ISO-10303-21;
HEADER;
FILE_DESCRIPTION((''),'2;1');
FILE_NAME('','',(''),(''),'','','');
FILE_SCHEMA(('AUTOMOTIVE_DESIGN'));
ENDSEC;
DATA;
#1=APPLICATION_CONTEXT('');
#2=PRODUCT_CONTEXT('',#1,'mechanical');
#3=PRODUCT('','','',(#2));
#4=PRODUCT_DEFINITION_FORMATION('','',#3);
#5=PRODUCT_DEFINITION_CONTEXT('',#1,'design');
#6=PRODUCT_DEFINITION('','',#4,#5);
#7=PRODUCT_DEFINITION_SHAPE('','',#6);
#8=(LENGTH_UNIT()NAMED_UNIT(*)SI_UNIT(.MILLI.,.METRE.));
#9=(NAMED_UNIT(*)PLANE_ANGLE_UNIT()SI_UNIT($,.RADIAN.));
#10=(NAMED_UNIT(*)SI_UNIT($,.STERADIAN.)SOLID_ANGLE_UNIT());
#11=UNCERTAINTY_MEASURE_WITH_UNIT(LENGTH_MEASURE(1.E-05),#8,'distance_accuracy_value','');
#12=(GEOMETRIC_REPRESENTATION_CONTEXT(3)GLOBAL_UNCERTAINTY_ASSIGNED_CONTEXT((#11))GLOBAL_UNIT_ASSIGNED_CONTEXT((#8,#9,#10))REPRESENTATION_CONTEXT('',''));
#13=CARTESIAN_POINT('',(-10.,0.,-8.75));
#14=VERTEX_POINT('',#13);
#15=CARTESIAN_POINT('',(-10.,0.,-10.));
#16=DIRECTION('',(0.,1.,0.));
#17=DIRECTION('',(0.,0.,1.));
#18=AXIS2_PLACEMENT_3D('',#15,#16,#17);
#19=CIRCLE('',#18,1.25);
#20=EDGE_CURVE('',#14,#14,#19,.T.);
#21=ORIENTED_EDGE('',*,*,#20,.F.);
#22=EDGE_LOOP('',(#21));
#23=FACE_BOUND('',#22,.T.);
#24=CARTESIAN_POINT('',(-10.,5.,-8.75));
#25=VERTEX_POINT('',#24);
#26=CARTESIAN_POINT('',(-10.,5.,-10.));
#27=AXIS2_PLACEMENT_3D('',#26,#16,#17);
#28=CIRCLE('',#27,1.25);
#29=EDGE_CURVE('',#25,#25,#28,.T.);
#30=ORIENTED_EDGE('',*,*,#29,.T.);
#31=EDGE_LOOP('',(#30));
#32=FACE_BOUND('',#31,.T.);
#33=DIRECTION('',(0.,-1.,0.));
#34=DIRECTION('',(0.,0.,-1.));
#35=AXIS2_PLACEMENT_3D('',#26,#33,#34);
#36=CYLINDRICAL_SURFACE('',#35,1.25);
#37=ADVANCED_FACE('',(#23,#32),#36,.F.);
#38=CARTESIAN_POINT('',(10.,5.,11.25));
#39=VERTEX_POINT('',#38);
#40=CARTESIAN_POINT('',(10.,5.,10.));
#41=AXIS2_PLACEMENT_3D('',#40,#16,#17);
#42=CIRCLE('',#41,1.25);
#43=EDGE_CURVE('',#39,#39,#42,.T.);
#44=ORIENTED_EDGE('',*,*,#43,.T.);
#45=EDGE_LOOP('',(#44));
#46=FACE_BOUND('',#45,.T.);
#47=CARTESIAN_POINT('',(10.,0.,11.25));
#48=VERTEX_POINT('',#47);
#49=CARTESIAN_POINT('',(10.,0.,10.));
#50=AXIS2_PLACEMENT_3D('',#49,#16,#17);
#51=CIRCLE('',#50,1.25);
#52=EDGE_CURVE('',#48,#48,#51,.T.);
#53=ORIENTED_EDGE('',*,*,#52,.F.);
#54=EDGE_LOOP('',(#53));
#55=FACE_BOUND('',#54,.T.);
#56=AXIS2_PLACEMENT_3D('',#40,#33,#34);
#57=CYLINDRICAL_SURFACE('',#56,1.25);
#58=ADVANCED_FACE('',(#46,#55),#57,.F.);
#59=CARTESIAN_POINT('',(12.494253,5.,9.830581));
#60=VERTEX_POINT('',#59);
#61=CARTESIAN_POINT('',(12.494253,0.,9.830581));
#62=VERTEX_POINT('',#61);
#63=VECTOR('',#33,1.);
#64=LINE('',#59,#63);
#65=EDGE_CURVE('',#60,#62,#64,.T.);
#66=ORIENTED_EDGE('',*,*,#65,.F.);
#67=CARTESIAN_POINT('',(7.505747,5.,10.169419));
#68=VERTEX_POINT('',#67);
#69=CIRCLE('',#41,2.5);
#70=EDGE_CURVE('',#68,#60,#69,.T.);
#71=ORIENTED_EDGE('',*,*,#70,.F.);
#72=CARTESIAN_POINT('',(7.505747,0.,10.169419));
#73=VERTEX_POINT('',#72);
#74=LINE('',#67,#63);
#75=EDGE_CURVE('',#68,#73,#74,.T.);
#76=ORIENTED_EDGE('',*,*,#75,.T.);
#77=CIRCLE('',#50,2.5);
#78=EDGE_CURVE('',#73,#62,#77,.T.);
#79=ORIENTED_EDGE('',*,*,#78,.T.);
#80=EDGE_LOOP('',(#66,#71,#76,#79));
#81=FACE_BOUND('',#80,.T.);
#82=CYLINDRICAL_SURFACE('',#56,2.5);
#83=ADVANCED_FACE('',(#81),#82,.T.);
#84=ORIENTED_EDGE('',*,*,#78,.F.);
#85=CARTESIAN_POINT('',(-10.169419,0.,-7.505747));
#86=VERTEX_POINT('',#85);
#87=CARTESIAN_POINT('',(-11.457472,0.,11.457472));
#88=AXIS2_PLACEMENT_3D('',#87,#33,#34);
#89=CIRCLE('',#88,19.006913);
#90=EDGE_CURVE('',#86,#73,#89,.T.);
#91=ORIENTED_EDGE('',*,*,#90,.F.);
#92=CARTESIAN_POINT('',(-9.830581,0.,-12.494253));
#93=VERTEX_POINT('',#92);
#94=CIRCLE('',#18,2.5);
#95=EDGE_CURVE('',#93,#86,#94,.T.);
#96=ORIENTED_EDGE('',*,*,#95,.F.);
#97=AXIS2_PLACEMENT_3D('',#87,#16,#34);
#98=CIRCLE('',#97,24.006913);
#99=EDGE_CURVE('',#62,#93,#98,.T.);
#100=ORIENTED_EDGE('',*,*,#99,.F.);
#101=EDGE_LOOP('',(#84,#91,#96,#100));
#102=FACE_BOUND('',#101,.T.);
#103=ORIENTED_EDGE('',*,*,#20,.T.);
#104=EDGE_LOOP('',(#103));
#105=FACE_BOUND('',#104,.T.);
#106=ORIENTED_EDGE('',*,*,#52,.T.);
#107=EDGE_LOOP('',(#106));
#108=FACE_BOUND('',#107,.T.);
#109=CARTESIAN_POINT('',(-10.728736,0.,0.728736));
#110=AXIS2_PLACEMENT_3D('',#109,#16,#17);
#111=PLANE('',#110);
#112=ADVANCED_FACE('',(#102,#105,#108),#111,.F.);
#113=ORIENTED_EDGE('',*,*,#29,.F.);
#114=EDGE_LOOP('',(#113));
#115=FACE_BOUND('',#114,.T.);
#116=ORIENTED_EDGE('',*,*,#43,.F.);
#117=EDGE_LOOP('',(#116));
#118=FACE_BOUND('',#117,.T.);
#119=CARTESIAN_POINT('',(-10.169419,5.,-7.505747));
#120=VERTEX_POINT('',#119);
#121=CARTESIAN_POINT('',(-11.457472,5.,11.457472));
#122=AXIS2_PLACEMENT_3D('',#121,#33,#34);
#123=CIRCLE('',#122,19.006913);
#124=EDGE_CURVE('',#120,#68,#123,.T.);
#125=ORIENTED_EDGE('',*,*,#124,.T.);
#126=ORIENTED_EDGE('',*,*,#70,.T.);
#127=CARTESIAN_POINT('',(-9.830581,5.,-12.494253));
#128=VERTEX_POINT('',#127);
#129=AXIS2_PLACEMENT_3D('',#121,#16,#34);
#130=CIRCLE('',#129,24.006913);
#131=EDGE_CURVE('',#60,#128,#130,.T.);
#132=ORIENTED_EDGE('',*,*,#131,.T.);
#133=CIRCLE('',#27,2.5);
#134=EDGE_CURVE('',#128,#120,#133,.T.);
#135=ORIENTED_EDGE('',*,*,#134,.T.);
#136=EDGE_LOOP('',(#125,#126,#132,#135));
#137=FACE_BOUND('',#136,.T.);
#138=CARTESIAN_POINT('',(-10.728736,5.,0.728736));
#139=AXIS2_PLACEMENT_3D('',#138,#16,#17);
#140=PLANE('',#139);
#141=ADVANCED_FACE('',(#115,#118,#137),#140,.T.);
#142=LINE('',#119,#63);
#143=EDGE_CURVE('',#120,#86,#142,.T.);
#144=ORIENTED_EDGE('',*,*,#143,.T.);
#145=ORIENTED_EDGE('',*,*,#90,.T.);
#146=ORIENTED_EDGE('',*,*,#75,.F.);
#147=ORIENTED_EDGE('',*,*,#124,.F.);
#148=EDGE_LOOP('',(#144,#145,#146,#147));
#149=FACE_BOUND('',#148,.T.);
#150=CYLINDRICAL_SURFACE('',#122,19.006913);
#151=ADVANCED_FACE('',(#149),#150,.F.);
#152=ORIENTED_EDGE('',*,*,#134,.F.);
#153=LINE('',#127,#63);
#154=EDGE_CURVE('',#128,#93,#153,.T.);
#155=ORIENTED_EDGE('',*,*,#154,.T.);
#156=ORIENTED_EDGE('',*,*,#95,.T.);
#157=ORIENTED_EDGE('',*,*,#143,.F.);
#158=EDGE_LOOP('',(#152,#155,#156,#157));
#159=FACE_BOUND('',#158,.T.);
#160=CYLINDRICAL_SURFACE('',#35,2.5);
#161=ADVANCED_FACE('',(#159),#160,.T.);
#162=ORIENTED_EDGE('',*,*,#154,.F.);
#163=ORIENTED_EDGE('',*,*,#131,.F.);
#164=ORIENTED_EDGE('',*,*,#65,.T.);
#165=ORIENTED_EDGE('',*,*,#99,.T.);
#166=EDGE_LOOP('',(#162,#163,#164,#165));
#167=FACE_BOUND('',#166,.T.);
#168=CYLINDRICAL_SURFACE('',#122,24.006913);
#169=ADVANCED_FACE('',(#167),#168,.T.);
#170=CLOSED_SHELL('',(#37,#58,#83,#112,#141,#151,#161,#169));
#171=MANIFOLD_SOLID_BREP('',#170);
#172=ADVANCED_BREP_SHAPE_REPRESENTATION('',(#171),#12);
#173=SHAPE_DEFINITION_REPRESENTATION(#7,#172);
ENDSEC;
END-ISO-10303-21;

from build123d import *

# Parameters (mm, degrees)
SKETCH1_R           = 1.25
BOSS_EXTRUDE1_DEPTH = 5


with BuildPart() as part:
    # Sketch1 → Boss-Extrude1 (new body)
    with BuildSketch(Plane(origin=(0, 0, 0), x_dir=(1, 0, 0), z_dir=(0, 1, 0))):
        with BuildLine():
            ThreePointArc((-10.169419003, 7.505747166), (1.982445457, 1.982445457), (7.505747166, -10.169419003))
            ThreePointArc((7.505747166, -10.169419003), (10.169419003, -12.494252834), (12.494252834, -9.830580997))
            ThreePointArc((12.494252834, -9.830580997), (5.517979363, 5.517979363), (-9.830580997, 12.494252834))
            ThreePointArc((-9.830580997, 12.494252834), (-12.494252834, 10.169419003), (-10.169419003, 7.505747166))
        make_face()
        with Locations(Location((-10, 10, 0), (0, 0, 270))):
            Circle(SKETCH1_R, mode=Mode.SUBTRACT)
        with Locations(Location((10, -10, 0), (0, 0, 270))):
            Circle(SKETCH1_R, mode=Mode.SUBTRACT)
    extrude(amount=BOSS_EXTRUDE1_DEPTH)


solid = part.part
